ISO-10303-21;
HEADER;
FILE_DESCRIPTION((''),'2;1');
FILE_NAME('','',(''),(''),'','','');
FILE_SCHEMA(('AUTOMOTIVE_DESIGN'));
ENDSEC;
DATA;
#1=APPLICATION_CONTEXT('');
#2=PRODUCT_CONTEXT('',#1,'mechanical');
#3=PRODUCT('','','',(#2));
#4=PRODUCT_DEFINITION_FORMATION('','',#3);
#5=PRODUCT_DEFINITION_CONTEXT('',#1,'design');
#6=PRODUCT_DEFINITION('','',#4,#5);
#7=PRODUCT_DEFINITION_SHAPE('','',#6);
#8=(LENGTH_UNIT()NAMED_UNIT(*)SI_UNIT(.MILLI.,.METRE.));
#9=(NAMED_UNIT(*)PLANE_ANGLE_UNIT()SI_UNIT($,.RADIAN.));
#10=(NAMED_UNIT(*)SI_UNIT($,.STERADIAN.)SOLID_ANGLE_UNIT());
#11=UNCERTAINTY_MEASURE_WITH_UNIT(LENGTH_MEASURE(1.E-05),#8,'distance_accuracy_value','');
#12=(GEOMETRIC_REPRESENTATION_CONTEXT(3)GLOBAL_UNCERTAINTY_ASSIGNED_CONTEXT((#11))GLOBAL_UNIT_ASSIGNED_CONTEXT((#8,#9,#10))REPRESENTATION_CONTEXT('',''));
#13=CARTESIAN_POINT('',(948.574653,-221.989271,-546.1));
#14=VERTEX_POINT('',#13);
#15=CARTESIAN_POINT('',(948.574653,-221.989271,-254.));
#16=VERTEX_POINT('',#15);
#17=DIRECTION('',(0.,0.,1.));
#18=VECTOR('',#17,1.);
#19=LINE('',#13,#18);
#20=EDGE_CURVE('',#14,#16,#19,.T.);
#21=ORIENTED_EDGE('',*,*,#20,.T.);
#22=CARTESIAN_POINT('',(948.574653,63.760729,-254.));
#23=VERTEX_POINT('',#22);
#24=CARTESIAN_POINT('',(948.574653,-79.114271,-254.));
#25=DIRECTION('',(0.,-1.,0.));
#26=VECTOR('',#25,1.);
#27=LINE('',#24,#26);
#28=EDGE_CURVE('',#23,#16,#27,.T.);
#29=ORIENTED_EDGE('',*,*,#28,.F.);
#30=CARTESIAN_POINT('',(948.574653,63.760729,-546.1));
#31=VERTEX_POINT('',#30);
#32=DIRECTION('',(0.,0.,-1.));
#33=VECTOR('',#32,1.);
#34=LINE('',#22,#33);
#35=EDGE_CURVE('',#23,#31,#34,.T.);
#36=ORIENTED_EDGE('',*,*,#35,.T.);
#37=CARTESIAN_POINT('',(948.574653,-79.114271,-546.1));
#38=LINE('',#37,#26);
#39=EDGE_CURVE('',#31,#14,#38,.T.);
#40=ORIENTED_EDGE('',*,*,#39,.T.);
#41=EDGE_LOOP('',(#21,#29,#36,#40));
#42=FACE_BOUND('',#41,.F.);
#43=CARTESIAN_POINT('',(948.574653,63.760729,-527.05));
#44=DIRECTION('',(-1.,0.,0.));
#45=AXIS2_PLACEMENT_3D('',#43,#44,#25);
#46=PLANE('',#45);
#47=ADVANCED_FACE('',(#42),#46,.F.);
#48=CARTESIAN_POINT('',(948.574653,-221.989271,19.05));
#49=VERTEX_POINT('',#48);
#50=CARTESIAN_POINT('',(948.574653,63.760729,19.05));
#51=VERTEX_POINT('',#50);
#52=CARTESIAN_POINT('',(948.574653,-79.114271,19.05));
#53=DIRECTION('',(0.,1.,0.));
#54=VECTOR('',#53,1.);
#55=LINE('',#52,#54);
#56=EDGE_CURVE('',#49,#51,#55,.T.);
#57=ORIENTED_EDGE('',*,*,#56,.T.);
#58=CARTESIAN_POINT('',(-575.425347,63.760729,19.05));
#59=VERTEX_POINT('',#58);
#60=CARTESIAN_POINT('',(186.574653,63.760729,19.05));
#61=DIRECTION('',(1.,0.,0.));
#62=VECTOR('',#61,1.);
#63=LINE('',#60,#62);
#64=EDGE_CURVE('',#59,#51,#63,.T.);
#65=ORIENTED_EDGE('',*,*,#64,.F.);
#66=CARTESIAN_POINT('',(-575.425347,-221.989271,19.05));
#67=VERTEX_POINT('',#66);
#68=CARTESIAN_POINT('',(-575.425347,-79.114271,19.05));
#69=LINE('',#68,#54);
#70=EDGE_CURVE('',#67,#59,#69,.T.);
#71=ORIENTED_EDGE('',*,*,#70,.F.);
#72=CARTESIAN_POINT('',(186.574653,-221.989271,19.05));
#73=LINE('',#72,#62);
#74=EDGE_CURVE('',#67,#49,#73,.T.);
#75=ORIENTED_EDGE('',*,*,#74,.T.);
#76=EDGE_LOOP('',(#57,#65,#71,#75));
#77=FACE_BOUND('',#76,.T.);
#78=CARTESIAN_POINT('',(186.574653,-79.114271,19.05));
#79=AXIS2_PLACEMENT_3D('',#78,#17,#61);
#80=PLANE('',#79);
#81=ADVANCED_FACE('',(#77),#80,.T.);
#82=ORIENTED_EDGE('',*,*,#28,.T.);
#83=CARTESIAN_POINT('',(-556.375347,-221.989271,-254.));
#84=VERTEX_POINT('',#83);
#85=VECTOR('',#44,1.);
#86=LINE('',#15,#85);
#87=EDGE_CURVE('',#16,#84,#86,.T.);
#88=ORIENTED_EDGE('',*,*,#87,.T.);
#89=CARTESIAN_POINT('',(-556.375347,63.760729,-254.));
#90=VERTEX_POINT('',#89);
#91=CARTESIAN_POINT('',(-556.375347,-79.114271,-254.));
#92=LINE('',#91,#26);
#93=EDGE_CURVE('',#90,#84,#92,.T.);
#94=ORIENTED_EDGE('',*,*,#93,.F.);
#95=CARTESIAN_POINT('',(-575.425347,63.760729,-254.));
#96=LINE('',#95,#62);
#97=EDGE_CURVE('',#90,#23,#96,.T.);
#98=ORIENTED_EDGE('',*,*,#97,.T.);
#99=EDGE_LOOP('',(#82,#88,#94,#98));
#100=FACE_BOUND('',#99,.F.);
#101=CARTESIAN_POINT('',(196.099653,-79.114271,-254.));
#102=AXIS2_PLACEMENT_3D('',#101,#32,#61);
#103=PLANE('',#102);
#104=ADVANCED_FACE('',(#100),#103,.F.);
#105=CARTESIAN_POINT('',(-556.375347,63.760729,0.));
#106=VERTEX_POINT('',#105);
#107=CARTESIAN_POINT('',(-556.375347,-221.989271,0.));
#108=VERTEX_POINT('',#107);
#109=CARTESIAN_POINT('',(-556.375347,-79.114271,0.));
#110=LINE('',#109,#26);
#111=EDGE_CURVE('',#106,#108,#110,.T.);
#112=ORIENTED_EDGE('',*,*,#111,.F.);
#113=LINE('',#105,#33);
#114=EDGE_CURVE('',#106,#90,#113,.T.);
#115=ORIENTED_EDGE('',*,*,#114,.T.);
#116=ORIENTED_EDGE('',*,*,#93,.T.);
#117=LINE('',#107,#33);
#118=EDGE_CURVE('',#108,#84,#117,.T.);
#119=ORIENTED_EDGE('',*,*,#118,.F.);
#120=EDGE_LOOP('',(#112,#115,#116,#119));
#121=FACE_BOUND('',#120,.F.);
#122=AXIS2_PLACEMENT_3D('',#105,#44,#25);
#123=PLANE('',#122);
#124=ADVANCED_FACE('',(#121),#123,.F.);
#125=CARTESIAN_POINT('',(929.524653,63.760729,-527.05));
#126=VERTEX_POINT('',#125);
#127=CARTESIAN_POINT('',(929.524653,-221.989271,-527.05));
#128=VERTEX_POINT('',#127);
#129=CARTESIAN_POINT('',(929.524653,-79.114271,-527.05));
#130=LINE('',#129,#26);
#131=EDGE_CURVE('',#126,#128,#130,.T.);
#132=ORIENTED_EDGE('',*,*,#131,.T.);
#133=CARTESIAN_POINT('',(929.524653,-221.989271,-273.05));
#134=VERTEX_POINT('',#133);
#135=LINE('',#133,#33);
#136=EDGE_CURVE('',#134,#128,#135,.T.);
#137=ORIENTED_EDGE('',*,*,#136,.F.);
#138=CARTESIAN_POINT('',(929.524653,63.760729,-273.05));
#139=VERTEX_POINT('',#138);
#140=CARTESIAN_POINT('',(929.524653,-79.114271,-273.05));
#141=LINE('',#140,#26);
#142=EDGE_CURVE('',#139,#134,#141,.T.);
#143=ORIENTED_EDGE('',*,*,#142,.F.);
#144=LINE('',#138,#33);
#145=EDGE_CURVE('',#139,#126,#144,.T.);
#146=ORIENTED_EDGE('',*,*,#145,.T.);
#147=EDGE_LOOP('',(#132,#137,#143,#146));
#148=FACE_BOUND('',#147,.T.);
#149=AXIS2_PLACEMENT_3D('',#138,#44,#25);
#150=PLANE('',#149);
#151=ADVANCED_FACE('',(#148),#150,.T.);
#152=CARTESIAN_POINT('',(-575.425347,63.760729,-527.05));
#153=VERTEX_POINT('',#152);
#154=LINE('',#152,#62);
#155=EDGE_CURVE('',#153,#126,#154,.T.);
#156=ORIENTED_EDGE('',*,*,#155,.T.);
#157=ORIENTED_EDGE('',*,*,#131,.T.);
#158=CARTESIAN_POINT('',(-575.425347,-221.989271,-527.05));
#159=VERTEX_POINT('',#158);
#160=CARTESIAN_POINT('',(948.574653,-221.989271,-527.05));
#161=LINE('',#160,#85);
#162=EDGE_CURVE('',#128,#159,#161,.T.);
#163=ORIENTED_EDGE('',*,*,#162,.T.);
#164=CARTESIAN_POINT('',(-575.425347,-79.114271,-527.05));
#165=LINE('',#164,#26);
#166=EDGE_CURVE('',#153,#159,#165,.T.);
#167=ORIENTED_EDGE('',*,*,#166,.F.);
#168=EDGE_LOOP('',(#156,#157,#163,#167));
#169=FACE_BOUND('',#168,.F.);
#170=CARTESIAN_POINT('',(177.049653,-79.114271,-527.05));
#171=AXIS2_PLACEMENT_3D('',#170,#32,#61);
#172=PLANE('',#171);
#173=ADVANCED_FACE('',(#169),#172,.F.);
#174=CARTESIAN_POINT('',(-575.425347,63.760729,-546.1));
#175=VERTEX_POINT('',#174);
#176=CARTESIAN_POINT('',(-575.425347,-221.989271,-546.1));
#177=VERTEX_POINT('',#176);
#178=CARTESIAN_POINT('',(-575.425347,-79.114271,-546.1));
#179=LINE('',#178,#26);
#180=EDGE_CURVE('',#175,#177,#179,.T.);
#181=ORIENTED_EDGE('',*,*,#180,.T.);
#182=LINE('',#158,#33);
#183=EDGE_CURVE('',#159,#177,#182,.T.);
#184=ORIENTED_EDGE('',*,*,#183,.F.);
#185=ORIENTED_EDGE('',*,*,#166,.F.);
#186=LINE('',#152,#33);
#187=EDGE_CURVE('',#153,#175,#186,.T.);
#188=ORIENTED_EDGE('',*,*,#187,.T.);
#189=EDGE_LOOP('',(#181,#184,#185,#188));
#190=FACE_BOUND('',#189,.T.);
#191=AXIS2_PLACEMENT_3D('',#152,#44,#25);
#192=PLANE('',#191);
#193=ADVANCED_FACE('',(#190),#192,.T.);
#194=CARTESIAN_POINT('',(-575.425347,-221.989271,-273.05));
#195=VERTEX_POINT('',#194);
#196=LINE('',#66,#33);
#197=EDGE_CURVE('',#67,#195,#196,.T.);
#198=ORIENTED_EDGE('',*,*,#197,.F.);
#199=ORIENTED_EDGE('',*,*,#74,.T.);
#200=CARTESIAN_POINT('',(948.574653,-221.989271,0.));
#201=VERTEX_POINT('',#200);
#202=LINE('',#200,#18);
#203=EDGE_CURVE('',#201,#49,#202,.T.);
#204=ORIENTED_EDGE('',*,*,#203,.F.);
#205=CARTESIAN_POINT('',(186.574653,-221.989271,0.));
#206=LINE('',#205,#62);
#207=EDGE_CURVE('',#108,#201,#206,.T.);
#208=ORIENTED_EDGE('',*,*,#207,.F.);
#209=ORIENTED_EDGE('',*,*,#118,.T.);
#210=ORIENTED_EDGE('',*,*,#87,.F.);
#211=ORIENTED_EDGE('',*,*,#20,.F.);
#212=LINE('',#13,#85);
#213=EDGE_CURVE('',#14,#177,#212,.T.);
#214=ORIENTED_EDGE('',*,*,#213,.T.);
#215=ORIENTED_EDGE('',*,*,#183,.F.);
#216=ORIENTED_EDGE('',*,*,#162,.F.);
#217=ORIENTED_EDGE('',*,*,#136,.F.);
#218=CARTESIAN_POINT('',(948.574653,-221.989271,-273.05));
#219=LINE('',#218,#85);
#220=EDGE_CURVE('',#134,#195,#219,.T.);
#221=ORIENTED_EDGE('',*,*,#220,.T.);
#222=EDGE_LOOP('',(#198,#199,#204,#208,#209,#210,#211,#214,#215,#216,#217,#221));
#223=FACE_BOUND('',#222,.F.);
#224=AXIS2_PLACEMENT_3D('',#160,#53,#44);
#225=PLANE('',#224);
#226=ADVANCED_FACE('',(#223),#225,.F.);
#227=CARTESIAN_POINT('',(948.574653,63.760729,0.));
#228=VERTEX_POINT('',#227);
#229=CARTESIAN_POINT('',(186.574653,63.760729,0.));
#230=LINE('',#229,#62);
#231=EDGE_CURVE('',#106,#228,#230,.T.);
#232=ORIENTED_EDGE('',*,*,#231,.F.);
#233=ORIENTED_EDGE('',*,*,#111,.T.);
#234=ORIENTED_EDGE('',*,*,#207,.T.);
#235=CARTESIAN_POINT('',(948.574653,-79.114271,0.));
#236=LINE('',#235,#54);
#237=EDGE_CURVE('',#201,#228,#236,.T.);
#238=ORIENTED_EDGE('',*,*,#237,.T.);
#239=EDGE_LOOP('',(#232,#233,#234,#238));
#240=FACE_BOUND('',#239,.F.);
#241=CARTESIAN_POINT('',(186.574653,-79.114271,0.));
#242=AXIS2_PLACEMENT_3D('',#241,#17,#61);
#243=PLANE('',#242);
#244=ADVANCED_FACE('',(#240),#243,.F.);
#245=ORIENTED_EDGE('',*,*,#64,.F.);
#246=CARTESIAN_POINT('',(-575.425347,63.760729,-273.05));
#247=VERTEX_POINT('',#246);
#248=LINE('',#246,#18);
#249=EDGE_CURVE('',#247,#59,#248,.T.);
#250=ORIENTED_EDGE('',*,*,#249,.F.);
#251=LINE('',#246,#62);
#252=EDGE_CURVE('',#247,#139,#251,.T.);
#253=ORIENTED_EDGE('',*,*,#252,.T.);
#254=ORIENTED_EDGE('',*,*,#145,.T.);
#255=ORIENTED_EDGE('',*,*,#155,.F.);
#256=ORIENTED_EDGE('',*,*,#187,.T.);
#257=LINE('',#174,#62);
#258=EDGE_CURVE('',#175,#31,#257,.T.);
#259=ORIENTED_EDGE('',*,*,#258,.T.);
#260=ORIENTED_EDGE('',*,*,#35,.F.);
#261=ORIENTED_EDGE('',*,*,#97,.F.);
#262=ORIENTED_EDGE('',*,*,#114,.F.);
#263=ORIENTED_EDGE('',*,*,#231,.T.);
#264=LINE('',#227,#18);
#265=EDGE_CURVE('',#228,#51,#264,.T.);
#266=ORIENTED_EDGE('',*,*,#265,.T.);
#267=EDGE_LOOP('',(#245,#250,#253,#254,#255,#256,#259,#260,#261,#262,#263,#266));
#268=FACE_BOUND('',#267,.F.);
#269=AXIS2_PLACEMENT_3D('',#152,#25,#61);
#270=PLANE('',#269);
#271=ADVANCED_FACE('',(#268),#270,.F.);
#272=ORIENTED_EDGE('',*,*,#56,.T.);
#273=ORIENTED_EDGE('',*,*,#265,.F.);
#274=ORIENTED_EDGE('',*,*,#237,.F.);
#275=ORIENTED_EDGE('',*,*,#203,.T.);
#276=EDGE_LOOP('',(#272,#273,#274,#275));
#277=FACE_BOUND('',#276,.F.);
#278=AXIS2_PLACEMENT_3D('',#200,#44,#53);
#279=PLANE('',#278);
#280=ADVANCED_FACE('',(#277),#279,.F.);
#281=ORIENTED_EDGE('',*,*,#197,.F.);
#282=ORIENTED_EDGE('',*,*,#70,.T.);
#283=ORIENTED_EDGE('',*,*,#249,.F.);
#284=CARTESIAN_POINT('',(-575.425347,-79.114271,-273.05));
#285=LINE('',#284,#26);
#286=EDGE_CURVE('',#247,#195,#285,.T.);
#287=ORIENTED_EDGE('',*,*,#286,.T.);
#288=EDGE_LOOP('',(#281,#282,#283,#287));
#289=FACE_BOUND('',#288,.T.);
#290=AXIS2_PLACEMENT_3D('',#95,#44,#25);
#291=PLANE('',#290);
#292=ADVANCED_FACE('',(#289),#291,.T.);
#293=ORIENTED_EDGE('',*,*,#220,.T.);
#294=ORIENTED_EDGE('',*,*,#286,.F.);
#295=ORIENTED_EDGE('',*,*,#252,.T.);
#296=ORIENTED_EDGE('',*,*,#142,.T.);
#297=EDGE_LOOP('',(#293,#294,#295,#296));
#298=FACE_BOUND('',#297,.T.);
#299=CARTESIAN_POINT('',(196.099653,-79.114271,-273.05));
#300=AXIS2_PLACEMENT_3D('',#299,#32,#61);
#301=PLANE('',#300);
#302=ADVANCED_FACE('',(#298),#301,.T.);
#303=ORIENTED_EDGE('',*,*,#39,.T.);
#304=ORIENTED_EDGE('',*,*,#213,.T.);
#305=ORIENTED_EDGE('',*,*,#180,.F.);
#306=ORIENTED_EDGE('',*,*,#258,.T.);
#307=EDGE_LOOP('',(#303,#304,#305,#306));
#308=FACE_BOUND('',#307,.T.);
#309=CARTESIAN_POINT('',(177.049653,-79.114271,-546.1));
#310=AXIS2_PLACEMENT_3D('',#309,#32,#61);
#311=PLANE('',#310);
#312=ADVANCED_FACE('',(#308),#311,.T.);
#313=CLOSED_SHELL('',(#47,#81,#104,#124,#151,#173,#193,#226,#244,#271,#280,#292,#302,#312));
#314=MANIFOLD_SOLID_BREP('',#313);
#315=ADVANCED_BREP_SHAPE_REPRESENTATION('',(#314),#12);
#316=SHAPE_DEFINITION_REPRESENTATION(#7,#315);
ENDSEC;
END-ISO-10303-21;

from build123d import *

# Parameters (mm, degrees)
F0_W     = 1524
F0_H     = 285.75
F1_DEPTH = 19.05
F2_W     = 19.05
F2_H     = 285.75
F3_DEPTH = 254
F4_W     = 1504.95
F4_H     = 285.75
F4_W_2   = 19.05
F5_DEPTH = 19.05
F6_W     = 19.05
F6_H     = 285.75
F7_DEPTH = 254
F8_W     = 1504.95
F8_H     = 285.75
F8_W_2   = 19.05
F9_DEPTH = 19.05


with BuildPart() as f1:
    # F0 (on Top) → F1 (new body)
    with BuildSketch(Plane.XY):
        with Locations((186.574653, -79.114271)):
            Rectangle(F0_W, F0_H)
    extrude(amount=F1_DEPTH)

    # F2 (on face) → F3 (join)
    with BuildSketch(Plane(origin=(0, 0, 0), x_dir=(1, 0, 0), z_dir=(0, 0, -1))):
        with Locations((-565.900347, 79.114271)):
            Rectangle(F2_W, F2_H)
    extrude(amount=F3_DEPTH)

    # F4 (on face) → F5 (join)
    with BuildSketch(Plane(origin=(0, 0, -254), x_dir=(1, 0, 0), z_dir=(0, 0, -1))):
        with Locations((196.099653, 79.114271)):
            Rectangle(F4_W, F4_H)
        with Locations((-565.900347, 79.114271)):
            Rectangle(F4_W_2, F4_H)
    extrude(amount=F5_DEPTH)

    # F6 (on face) → F7 (join)
    with BuildSketch(Plane(origin=(0, 0, -273.05), x_dir=(1, 0, 0), z_dir=(0, 0, -1))):
        with Locations((939.049653, 79.114271)):
            Rectangle(F6_W, F6_H)
    extrude(amount=F7_DEPTH)

    # F8 (on face) → F9 (join)
    with BuildSketch(Plane(origin=(0, 0, -527.05), x_dir=(1, 0, 0), z_dir=(0, 0, -1))):
        with Locations((177.049653, 79.114271)):
            Rectangle(F8_W, F8_H)
        with Locations((939.049653, 79.114271)):
            Rectangle(F8_W_2, F8_H)
    extrude(amount=F9_DEPTH)


solid = f1.part
